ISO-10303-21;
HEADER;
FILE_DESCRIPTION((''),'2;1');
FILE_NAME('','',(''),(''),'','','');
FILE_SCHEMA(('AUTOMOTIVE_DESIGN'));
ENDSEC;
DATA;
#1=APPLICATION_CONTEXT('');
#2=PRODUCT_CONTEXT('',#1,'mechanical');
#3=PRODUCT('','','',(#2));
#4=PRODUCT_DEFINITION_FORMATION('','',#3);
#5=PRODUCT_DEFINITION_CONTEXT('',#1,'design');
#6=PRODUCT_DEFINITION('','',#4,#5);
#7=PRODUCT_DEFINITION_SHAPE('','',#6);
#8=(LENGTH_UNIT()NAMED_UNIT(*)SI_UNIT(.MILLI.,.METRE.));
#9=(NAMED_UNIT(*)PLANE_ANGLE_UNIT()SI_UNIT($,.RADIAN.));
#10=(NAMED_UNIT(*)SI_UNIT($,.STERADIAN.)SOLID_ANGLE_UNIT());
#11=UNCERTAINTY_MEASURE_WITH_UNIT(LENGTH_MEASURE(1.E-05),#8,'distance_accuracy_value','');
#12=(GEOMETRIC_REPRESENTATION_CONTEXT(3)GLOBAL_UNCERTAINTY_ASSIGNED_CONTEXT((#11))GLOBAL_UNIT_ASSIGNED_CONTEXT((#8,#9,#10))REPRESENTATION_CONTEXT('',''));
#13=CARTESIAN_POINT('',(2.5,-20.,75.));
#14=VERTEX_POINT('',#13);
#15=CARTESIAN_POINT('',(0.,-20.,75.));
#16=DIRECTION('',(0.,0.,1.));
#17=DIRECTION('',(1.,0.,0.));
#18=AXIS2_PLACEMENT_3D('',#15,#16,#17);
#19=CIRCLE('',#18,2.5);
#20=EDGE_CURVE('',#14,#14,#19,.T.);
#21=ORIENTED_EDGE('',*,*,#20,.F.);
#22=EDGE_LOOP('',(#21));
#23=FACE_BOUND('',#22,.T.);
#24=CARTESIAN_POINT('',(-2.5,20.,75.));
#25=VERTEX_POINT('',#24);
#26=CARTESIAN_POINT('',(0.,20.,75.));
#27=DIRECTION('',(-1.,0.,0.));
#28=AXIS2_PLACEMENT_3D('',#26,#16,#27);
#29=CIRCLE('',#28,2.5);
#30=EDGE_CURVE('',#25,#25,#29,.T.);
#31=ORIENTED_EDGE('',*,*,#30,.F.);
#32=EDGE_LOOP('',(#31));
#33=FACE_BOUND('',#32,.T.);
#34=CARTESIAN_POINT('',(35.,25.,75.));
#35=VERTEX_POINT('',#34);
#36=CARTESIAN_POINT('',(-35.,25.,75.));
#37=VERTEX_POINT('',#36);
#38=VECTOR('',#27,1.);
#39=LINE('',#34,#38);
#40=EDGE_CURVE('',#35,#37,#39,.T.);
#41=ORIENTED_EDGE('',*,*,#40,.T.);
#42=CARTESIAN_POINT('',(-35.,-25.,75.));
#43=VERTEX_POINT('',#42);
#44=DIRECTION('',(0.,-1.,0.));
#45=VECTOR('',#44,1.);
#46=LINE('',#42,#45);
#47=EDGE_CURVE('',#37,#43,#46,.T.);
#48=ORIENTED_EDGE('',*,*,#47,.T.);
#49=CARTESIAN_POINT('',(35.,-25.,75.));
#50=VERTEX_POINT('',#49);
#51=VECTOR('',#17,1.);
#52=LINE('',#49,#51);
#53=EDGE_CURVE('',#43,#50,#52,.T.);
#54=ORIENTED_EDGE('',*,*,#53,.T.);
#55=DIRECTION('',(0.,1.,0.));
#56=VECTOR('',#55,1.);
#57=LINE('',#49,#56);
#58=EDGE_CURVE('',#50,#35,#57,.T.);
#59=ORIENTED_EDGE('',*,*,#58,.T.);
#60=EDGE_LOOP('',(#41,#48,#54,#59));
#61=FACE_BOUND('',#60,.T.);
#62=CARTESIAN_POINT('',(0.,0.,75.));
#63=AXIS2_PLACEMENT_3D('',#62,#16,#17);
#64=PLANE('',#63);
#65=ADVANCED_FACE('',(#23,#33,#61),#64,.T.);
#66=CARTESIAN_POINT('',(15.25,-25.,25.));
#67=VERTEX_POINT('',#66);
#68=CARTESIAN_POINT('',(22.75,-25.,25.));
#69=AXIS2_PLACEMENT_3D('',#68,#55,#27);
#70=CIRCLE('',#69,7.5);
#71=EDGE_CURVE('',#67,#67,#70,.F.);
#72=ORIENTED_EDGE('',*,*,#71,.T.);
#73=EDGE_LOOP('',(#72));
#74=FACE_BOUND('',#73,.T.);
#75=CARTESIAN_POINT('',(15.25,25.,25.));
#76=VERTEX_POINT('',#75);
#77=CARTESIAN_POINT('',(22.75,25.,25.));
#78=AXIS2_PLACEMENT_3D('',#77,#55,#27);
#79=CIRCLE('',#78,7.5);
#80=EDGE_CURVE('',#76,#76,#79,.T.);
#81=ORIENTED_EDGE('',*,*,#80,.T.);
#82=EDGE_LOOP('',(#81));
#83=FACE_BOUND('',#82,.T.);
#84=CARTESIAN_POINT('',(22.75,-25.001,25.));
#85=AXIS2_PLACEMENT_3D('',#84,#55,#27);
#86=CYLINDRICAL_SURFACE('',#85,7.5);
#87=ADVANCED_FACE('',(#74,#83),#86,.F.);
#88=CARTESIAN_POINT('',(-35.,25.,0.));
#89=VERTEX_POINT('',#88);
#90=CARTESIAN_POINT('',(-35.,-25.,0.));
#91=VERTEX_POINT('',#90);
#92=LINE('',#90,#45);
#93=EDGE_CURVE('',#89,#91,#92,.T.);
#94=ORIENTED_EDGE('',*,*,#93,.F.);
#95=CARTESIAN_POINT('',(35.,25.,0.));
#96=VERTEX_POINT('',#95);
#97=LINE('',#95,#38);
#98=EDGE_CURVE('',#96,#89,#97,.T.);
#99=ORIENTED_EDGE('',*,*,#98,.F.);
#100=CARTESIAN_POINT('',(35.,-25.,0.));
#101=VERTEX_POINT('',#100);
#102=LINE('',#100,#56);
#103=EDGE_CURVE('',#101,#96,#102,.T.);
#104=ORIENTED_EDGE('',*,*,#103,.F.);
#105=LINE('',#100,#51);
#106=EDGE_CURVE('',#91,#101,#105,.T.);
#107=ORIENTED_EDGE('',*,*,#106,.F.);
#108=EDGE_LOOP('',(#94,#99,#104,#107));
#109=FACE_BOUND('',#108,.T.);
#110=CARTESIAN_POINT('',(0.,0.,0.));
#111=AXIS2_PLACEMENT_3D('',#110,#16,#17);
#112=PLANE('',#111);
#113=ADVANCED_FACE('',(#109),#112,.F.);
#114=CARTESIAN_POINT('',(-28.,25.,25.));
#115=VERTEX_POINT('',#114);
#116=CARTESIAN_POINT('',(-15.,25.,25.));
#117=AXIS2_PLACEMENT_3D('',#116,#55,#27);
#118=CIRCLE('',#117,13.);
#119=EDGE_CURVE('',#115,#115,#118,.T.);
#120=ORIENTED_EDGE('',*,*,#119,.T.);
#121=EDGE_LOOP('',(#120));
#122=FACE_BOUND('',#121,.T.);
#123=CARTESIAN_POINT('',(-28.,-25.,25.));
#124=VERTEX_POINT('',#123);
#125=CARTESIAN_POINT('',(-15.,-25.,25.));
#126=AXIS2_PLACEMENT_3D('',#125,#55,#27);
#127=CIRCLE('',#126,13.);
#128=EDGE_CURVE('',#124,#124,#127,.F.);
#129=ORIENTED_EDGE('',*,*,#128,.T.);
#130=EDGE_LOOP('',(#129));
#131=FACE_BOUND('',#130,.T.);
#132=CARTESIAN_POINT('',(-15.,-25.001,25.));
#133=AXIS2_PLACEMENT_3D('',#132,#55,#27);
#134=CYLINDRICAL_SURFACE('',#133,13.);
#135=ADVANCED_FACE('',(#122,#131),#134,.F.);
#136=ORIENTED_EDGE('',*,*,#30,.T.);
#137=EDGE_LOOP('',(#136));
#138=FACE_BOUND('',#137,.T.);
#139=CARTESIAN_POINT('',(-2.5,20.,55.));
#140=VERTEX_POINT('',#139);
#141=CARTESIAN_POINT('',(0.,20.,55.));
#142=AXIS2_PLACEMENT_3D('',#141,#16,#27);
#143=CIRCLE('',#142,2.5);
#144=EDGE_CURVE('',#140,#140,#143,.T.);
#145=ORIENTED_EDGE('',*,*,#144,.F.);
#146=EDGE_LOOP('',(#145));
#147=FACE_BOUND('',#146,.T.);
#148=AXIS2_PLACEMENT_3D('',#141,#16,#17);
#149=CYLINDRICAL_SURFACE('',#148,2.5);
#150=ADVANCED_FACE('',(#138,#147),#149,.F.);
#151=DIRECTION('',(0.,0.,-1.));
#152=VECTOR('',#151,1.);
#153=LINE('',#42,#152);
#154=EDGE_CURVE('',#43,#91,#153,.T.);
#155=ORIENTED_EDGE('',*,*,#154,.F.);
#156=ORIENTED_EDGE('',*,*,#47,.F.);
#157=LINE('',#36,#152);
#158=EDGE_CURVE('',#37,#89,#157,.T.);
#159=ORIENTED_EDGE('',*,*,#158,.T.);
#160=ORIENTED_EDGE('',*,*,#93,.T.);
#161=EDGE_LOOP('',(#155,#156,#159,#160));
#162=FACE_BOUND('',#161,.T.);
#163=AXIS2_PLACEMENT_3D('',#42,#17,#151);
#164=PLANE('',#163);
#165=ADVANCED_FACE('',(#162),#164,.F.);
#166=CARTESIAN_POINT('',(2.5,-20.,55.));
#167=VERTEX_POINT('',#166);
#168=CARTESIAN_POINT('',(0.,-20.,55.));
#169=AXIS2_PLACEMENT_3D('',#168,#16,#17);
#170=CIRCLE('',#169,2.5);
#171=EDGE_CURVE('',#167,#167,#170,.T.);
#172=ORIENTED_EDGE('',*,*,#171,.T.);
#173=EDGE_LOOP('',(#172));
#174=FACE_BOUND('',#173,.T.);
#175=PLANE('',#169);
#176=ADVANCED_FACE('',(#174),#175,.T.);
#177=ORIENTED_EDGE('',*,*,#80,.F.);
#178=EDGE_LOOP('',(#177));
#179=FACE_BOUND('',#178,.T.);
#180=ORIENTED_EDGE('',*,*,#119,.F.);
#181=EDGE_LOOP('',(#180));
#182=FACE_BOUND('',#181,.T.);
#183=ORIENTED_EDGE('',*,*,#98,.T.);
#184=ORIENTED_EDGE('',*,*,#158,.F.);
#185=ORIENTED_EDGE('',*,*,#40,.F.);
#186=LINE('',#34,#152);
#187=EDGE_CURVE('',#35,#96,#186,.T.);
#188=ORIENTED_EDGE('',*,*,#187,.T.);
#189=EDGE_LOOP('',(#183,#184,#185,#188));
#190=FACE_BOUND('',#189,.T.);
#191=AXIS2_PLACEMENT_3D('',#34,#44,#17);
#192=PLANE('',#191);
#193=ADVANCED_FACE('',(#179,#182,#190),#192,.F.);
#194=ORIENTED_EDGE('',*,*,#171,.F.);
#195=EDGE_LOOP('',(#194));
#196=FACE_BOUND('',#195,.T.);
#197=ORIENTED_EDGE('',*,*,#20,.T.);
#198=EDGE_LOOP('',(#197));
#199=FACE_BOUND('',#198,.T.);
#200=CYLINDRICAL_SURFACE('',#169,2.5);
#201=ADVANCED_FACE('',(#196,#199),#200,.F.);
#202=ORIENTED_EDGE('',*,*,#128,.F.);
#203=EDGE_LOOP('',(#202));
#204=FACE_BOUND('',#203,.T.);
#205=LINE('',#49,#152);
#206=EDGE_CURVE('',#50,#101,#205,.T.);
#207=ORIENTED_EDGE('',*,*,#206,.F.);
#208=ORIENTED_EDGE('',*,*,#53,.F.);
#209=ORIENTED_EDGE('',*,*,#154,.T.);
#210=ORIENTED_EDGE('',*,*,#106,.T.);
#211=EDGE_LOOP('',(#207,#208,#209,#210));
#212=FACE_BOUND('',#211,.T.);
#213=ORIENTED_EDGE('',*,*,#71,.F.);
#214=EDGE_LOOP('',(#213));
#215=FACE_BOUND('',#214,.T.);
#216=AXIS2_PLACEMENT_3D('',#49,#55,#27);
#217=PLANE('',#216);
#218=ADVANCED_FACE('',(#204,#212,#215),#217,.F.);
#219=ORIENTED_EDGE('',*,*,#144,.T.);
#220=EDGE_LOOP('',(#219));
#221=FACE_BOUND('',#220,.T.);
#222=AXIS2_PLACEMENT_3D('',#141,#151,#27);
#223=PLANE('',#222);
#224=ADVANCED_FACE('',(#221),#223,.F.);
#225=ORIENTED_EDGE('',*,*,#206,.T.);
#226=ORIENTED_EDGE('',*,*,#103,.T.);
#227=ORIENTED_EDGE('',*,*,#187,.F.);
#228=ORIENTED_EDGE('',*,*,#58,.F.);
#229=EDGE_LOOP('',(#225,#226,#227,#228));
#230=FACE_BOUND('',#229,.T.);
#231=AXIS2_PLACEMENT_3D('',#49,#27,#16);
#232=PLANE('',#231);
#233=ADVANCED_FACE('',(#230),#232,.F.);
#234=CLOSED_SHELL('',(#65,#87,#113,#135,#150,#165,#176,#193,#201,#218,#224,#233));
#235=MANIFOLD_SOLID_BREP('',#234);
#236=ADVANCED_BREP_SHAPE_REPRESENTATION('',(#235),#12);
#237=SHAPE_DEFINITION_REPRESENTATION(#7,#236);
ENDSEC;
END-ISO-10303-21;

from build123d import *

# Parameters (mm, degrees)
SKETCH1_W           = 70
SKETCH1_H           = 50
BOSS_EXTRUDE1_DEPTH = 75
CUT_EXTRUDE1_REACH  = 98.695
SKETCH2_R           = 7.5
SKETCH2_R_2         = 13
SKETCH3_R           = 2.5
CUT_EXTRUDE2_DEPTH  = 20


with BuildPart() as part:
    # Sketch1 → Boss-Extrude1 (new body)
    with BuildSketch(Plane.XY):
        Rectangle(SKETCH1_W, SKETCH1_H)
    extrude(amount=BOSS_EXTRUDE1_DEPTH)

    # Sketch2 → Cut-Extrude1 (cut, up to next)
    with BuildSketch(Plane(origin=(0, 25, 0), x_dir=(1, 0, 0), z_dir=(0, 1, 0)), mode=Mode.PRIVATE) as cut_extrude1_sk1:
        with Locations(Location((22.75, -25, 0), (0, 0, 180))):
            Circle(SKETCH2_R)
    cut_extrude1_tool1 = extrude(cut_extrude1_sk1.sketch, amount=-CUT_EXTRUDE1_REACH, mode=Mode.PRIVATE) & part.part
    # Sketch2 → Cut-Extrude1 (cut, up to next)
    with BuildSketch(Plane(origin=(0, 25, 0), x_dir=(1, 0, 0), z_dir=(0, 1, 0)), mode=Mode.PRIVATE) as cut_extrude1_sk2:
        with Locations(Location((-15, -25, 0), (0, 0, 180))):
            Circle(SKETCH2_R_2)
    cut_extrude1_tool2 = extrude(cut_extrude1_sk2.sketch, amount=-CUT_EXTRUDE1_REACH, mode=Mode.PRIVATE) & part.part
    add(cut_extrude1_tool1.solids().sort_by_distance((22.75, 25, 25))[0], mode=Mode.SUBTRACT)
    add(cut_extrude1_tool2.solids().sort_by_distance((-15, 25, 25))[0], mode=Mode.SUBTRACT)

    # Sketch3 → Cut-Extrude2 (cut)
    with BuildSketch(Plane.XY.offset(75)):
        with Locations((0, -20)):
            Circle(SKETCH3_R)
        with Locations(Location((0, 20, 0), (0, 0, 180))):
            Circle(SKETCH3_R)
    extrude(amount=-CUT_EXTRUDE2_DEPTH, mode=Mode.SUBTRACT)


solid = part.part
